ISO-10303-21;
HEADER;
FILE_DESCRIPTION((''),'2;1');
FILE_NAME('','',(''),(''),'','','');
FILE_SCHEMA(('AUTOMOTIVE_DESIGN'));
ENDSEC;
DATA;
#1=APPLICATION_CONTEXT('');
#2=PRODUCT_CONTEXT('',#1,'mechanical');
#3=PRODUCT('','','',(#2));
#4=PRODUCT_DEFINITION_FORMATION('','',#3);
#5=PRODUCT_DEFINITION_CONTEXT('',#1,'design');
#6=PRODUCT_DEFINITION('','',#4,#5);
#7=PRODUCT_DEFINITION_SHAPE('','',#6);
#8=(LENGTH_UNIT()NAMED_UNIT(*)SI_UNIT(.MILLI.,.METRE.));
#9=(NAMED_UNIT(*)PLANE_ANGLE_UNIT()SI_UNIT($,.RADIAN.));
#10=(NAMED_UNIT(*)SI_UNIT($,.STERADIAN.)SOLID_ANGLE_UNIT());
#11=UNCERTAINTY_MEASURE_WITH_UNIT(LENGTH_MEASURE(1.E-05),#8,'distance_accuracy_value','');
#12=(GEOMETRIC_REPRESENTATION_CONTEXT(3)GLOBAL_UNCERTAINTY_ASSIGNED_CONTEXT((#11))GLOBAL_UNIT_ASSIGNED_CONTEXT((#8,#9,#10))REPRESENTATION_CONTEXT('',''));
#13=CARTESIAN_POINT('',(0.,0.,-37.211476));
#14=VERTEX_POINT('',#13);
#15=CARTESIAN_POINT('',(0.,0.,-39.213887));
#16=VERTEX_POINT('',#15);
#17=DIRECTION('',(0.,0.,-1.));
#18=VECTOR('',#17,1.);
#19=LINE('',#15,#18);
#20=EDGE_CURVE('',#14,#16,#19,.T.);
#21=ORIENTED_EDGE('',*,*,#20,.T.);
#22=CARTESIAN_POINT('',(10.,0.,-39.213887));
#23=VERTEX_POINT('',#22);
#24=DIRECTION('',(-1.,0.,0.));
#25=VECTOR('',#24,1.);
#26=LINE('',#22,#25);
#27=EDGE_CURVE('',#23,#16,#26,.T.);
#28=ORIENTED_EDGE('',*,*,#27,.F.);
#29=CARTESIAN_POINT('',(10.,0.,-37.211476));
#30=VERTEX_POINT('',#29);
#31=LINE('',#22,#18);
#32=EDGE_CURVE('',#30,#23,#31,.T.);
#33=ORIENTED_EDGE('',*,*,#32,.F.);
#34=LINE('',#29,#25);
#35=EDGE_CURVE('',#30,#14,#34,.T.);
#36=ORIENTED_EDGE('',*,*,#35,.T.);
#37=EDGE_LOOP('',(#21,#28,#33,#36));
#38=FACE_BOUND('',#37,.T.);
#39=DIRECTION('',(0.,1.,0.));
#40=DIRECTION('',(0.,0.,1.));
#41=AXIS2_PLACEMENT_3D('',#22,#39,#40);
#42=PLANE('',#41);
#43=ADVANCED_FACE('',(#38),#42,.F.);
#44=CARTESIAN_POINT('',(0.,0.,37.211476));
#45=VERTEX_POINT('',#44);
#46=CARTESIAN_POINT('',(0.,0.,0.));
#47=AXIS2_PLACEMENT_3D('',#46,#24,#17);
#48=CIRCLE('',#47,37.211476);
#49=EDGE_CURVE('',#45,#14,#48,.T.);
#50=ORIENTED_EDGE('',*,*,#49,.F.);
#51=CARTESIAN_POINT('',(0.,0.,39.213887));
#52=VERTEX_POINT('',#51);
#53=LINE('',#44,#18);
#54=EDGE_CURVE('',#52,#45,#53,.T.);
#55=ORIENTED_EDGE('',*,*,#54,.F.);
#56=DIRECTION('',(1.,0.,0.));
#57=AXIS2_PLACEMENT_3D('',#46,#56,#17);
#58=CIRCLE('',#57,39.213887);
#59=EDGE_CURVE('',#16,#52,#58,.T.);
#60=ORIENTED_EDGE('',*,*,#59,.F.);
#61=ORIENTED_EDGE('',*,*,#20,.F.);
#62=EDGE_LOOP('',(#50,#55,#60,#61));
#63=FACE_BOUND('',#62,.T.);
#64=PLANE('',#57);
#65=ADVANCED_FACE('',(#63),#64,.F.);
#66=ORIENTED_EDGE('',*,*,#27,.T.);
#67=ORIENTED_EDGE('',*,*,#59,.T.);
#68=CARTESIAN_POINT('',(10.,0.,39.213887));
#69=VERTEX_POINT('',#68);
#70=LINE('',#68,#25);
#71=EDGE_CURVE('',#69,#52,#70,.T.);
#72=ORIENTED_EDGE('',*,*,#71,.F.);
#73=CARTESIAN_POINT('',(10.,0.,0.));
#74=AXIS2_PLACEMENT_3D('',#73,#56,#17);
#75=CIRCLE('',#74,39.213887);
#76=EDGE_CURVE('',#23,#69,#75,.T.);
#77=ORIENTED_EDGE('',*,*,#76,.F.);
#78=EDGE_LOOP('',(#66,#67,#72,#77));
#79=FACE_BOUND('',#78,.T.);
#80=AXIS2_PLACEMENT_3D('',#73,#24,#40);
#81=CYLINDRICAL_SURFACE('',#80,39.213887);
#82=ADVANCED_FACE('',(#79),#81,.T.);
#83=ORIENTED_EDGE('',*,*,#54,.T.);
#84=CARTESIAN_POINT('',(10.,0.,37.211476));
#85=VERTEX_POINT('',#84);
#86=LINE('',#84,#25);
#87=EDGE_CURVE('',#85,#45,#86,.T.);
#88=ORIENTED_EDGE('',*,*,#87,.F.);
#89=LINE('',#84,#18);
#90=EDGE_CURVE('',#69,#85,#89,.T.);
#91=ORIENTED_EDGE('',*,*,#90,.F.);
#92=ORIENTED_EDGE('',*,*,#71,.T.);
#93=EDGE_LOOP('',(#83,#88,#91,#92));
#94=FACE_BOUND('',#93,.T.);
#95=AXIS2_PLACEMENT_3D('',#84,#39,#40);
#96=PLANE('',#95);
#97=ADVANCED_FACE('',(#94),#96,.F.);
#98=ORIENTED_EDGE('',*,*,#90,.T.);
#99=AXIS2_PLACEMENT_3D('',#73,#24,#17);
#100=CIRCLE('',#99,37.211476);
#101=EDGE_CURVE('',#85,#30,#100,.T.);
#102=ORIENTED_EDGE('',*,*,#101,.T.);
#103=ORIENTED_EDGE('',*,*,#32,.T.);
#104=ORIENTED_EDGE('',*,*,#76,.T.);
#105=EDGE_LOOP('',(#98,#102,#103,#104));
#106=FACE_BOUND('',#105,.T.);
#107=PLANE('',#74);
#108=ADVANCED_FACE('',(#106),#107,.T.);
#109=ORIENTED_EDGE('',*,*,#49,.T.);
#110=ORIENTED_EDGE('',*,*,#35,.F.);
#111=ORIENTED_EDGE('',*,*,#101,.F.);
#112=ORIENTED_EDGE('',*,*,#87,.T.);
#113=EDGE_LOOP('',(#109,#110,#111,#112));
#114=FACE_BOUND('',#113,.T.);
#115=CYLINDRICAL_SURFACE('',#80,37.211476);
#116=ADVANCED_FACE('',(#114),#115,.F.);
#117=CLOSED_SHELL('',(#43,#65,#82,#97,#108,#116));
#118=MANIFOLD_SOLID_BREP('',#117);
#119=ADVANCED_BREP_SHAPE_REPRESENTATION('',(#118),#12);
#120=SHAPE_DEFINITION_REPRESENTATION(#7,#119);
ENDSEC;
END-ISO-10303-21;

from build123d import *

# Parameters (mm, degrees)
EXTRUDE_1_DEPTH = 10


with BuildPart() as part:
    # Эскиз2 → Бобышка-Вытянуть1 (new body)
    with BuildSketch(Plane(origin=(0, 0, 0), x_dir=(0, 0, -1), z_dir=(1, 0, 0))):
        with BuildLine():
            Line((39.213886817, 0), (37.211475575, 0))
            ThreePointArc((37.211475575, 0), (0, 37.211475575), (-37.211475575, 0))
            Line((-37.211475575, 0), (-39.213886817, 0))
            ThreePointArc((-39.213886817, 0), (0, 39.213886817), (39.213886817, 0))
        make_face()
    extrude(amount=EXTRUDE_1_DEPTH)


solid = part.part
